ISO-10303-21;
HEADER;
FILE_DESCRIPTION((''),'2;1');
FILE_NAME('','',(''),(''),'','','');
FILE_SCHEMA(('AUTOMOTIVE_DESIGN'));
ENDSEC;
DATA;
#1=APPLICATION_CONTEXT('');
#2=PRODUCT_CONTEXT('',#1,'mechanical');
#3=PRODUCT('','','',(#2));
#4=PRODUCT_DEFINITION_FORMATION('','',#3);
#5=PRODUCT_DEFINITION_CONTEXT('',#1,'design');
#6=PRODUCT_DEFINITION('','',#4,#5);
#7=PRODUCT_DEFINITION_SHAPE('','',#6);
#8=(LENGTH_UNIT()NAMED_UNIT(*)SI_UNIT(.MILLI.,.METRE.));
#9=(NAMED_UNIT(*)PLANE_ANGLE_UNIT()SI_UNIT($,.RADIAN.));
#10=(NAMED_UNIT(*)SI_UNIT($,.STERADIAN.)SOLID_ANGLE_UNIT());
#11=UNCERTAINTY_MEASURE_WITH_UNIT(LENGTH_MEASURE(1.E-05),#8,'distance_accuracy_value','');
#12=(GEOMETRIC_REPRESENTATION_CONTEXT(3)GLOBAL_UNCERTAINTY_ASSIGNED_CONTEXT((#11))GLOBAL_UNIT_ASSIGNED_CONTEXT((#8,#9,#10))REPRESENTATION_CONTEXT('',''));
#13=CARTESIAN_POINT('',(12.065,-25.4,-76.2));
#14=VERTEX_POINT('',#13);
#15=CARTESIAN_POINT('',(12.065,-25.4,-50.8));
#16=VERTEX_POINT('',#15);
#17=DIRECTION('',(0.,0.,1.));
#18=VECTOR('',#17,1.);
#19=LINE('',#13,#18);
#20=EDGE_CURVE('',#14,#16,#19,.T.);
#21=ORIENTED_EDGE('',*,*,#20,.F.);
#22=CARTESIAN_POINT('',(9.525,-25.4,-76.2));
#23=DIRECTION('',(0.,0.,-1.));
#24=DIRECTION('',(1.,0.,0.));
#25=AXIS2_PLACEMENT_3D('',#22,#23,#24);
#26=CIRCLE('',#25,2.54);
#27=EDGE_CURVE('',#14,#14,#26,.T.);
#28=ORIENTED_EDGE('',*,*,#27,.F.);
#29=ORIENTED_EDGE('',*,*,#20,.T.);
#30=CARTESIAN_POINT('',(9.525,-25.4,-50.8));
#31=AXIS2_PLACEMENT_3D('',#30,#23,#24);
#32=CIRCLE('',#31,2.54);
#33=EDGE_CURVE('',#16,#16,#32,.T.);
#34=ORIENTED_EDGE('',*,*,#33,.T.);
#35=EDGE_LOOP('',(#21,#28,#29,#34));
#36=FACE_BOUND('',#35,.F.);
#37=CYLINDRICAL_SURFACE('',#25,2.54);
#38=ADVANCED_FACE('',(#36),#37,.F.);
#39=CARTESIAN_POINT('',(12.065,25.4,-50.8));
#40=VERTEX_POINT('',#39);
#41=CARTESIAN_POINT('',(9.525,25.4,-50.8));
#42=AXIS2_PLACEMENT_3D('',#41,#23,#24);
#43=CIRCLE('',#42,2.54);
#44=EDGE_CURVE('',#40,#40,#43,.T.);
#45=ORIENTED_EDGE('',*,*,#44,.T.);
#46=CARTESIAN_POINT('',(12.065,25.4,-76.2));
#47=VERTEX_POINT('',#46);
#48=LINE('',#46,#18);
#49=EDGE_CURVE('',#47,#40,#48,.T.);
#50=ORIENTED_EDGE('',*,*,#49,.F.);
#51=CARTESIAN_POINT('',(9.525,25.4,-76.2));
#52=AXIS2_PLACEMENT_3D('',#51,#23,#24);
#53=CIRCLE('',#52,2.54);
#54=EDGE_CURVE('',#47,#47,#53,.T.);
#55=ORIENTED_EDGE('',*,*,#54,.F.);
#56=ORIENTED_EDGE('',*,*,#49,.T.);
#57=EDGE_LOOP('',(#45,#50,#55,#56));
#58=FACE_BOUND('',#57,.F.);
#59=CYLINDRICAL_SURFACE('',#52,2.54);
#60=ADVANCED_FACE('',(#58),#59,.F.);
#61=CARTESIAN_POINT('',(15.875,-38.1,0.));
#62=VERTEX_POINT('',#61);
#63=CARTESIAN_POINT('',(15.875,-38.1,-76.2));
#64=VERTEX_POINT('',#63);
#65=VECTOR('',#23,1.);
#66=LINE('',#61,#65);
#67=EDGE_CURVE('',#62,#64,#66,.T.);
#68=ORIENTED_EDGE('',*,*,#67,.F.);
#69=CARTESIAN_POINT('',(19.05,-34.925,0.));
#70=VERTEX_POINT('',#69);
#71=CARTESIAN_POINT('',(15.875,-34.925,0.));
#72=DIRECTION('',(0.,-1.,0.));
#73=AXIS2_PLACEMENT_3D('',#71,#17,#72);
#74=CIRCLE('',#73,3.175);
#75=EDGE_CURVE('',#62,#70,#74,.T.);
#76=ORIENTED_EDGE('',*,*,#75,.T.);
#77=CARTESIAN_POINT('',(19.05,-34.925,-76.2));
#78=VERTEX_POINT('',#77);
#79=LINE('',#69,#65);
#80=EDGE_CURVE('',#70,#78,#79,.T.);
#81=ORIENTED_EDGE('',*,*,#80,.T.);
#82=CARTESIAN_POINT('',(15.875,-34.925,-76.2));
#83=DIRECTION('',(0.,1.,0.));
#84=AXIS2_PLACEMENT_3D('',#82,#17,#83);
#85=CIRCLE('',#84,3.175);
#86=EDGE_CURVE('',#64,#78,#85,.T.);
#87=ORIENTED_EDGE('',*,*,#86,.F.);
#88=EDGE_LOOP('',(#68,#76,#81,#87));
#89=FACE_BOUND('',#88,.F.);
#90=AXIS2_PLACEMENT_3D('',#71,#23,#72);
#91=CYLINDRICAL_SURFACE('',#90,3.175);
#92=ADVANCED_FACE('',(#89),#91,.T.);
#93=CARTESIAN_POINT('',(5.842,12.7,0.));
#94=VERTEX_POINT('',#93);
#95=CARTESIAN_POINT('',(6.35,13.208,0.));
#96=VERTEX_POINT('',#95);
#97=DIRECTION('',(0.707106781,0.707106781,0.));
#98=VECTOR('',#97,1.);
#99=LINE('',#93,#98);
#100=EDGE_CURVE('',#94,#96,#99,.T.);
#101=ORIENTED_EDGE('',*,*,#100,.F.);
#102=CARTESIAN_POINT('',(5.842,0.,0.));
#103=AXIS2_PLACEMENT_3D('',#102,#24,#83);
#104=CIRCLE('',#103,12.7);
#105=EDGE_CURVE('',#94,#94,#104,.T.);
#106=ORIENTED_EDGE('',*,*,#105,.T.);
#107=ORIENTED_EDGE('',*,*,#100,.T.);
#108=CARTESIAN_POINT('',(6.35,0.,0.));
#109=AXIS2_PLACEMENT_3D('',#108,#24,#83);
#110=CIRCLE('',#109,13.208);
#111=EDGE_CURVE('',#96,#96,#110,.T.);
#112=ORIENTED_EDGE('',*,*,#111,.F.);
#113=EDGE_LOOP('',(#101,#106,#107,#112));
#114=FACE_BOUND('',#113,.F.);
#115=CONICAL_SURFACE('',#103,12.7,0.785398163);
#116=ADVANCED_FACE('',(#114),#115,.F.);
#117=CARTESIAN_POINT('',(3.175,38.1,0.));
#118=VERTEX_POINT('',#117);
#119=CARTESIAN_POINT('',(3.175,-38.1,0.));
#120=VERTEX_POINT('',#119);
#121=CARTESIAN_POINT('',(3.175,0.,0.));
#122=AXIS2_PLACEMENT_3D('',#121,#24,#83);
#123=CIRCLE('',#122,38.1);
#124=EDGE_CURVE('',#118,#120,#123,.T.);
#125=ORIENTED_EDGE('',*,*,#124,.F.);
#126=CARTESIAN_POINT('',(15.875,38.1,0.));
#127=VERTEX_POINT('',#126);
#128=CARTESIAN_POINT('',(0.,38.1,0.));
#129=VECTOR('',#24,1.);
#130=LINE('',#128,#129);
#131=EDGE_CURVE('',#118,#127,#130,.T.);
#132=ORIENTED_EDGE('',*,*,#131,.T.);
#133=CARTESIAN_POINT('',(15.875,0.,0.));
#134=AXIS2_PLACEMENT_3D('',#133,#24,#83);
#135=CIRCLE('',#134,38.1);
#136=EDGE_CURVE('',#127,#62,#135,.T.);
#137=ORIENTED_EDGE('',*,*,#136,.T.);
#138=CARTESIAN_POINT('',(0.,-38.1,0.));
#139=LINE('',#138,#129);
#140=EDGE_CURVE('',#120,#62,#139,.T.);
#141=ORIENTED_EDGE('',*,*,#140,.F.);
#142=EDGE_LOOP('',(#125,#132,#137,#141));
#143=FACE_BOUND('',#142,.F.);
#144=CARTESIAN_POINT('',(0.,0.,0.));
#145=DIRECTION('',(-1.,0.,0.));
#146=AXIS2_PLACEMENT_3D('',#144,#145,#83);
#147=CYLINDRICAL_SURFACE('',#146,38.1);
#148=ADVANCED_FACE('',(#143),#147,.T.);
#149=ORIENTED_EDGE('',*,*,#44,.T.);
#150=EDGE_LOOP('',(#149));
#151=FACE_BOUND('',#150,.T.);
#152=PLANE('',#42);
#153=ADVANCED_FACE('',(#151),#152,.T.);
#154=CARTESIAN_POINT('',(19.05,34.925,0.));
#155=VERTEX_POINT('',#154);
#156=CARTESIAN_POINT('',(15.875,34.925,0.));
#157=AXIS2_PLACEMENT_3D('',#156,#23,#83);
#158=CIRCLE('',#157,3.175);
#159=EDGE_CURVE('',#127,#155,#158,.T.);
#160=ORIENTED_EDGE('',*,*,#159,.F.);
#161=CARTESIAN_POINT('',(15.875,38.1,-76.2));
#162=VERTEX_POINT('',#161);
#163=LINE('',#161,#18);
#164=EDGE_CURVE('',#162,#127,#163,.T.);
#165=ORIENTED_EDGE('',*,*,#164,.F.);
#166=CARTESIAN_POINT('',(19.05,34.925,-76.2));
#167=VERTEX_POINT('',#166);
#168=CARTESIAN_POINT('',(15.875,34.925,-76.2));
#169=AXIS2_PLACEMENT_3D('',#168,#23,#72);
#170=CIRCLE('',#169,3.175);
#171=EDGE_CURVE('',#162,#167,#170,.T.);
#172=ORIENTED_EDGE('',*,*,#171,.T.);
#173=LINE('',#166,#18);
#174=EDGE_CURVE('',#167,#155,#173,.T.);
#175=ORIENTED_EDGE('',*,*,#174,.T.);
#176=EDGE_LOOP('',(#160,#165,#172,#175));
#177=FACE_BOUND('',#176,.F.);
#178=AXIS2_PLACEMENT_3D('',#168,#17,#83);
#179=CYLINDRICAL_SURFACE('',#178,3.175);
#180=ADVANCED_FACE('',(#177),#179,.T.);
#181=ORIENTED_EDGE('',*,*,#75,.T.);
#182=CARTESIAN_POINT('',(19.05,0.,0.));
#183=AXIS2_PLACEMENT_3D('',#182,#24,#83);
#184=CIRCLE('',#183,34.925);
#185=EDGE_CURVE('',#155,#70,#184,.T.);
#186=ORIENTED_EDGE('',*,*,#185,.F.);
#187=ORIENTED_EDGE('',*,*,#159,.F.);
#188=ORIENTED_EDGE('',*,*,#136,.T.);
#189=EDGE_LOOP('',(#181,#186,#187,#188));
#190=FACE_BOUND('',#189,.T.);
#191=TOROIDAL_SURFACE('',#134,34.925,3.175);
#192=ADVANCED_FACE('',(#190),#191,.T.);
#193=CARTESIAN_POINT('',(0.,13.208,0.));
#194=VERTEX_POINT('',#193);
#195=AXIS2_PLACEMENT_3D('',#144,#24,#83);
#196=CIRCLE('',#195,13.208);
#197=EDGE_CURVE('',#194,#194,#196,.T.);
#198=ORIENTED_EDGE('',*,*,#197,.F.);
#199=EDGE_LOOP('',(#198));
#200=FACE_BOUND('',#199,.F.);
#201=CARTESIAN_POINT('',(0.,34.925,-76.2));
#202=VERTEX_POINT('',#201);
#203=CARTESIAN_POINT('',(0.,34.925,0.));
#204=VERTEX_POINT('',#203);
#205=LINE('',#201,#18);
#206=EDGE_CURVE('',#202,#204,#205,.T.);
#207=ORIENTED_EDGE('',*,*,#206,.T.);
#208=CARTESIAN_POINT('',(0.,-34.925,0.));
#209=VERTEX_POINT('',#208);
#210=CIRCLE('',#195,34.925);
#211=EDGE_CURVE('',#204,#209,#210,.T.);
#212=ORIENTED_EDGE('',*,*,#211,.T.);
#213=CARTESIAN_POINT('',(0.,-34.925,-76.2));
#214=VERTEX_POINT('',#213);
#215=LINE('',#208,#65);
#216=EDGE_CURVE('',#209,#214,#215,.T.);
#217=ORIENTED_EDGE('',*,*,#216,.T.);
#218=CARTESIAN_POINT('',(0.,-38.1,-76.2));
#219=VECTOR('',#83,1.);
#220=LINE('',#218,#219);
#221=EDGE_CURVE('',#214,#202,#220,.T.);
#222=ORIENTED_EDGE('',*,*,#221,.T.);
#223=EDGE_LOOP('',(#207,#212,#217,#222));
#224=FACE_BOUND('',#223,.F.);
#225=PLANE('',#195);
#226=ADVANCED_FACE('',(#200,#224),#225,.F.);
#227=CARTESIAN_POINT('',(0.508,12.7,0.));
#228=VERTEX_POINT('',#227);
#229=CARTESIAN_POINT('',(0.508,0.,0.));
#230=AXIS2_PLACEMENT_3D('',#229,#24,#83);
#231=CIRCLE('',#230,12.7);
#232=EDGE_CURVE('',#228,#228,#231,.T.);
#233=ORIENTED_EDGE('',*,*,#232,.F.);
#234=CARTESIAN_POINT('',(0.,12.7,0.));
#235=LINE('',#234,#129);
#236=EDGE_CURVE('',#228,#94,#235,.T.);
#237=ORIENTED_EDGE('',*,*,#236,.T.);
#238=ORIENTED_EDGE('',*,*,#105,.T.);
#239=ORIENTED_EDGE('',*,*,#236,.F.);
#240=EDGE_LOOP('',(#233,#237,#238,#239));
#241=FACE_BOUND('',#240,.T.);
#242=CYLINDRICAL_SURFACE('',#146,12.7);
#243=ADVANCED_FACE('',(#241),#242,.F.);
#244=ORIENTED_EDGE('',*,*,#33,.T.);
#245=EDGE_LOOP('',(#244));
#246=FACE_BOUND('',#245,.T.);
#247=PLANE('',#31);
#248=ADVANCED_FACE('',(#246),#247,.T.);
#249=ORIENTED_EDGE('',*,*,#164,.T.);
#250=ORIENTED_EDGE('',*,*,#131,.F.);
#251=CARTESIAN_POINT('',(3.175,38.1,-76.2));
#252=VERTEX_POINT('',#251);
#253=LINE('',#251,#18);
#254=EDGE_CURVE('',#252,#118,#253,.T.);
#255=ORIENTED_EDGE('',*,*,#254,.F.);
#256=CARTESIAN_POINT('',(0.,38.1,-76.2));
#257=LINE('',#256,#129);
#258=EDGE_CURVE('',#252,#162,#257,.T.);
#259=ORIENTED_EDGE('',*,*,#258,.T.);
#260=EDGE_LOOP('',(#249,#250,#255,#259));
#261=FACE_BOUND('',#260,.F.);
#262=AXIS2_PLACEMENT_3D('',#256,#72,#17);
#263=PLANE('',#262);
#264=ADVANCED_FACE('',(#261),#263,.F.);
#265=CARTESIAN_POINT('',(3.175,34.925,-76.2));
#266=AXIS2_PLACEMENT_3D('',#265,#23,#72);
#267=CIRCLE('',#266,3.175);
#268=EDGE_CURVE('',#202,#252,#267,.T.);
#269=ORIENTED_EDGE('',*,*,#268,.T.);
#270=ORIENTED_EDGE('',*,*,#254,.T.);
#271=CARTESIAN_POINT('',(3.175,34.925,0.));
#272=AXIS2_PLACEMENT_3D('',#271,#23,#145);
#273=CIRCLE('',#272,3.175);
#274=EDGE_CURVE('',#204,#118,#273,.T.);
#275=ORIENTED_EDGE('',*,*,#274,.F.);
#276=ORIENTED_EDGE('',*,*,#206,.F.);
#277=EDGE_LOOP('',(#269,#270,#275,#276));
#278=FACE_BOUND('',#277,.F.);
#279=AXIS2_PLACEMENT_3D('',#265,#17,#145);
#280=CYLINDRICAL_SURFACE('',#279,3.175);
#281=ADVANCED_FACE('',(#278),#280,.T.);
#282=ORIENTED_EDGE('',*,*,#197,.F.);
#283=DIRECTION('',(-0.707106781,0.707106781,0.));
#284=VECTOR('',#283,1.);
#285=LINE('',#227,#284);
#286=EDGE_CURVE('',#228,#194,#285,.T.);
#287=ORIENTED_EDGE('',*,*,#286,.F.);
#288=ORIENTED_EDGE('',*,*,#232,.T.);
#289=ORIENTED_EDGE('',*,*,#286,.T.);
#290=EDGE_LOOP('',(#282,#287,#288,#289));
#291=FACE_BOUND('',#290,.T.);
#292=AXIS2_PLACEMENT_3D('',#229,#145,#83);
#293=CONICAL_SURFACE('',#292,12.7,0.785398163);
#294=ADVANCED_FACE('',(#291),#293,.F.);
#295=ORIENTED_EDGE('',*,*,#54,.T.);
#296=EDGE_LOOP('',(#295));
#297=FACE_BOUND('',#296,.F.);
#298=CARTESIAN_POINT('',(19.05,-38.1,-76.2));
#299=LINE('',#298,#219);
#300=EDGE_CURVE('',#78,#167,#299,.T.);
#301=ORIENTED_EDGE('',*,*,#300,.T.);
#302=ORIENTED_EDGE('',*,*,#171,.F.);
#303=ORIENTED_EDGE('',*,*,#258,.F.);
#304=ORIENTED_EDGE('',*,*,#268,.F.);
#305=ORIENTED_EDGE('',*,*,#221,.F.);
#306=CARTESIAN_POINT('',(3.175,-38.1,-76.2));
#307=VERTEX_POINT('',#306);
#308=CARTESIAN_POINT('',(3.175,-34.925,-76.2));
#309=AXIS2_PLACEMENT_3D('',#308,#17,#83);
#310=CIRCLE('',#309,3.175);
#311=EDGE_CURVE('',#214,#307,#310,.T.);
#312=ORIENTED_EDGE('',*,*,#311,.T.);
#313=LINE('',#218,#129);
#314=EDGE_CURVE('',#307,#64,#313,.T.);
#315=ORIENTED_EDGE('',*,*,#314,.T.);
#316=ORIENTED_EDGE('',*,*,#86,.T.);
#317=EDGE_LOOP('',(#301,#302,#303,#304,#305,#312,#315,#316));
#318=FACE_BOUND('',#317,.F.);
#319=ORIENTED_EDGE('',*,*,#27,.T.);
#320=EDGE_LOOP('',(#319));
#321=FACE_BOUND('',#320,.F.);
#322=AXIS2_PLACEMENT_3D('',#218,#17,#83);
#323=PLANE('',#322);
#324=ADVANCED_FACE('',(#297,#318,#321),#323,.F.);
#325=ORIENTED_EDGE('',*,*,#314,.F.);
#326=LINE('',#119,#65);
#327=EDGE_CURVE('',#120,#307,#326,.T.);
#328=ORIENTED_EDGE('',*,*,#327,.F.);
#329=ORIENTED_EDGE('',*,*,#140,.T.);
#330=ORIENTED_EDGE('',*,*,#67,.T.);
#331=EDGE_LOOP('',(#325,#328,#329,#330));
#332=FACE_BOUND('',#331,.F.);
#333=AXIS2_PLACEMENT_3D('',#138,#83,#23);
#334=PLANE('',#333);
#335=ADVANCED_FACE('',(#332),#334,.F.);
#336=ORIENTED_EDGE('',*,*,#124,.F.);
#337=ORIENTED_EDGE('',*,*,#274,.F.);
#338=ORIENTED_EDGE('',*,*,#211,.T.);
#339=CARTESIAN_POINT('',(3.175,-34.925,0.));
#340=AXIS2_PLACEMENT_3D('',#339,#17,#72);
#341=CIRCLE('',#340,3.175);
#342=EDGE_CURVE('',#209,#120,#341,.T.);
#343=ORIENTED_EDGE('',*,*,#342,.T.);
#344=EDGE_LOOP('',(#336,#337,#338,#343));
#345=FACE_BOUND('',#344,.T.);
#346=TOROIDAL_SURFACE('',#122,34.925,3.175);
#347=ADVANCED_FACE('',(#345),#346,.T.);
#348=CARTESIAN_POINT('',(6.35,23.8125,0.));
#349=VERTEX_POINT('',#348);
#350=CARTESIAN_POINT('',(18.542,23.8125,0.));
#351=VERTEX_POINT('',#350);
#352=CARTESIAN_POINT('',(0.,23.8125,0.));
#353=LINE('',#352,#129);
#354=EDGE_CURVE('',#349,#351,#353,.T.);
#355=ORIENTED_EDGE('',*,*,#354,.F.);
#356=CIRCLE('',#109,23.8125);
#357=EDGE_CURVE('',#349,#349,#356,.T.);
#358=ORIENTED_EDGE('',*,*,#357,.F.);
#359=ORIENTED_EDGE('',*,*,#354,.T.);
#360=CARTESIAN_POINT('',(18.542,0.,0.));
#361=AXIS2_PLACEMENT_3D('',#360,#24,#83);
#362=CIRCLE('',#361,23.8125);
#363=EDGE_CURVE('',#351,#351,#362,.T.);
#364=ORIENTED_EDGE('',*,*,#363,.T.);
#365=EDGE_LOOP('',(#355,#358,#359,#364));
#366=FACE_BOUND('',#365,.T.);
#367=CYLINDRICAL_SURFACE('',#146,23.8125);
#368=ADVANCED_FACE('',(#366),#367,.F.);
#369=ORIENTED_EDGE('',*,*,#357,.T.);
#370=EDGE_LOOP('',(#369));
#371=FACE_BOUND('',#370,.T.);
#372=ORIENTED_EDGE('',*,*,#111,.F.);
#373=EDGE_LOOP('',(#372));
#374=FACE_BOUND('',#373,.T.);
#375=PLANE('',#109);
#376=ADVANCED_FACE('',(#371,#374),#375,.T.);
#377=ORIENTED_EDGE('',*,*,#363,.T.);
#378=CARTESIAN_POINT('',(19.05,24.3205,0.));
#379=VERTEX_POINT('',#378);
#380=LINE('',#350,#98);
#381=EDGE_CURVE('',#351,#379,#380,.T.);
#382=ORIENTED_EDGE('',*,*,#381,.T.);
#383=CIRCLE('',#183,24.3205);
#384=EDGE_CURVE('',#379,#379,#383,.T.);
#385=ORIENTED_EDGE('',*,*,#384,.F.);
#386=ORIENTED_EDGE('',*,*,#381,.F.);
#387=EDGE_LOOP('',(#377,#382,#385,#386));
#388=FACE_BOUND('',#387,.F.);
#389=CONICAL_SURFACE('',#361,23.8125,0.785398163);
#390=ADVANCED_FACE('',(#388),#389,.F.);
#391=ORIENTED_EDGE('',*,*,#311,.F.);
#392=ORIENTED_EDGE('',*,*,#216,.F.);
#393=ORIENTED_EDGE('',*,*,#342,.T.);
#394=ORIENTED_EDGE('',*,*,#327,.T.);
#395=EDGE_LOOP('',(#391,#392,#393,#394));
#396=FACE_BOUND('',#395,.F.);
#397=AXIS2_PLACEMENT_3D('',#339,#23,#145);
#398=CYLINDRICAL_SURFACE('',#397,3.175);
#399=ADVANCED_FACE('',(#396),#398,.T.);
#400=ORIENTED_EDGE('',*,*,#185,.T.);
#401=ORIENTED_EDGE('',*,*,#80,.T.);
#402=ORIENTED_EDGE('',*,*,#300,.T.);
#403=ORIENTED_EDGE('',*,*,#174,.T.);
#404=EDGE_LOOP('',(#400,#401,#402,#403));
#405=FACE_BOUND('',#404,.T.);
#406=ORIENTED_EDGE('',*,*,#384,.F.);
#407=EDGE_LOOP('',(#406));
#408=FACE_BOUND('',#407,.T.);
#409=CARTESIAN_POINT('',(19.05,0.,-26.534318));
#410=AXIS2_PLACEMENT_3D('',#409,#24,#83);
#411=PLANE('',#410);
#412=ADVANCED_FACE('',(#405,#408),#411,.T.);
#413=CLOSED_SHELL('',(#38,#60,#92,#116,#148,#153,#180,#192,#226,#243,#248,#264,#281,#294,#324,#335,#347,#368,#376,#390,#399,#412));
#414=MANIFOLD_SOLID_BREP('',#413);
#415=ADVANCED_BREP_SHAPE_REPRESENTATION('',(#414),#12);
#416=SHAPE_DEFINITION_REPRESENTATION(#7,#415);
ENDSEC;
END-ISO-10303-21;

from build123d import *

# Parameters (mm, degrees)
F0_R     = 23.8125
F1_DEPTH = 19.05
F0_R_2   = 12.7
F2_DEPTH = 6.35
F3_SIZE  = 0.508
F4_R     = 2.54
F5_DEPTH = 25.4
F6_R     = 3.175


with BuildPart() as f1:
    # F0 (on Right) → F1 (new body)
    with BuildSketch(Plane.YZ):
        with BuildLine():
            Line((-38.1, -76.2), (38.1, -76.2))
            Line((38.1, -76.2), (38.1, 0))
            ThreePointArc((38.1, 0), (0, 38.1), (-38.1, 0))
            Line((-38.1, 0), (-38.1, -76.2))
        make_face()
        Circle(F0_R, mode=Mode.SUBTRACT)
    extrude(amount=F1_DEPTH)

    # F0 (on Right) → F2 (join)
    with BuildSketch(Plane.YZ):
        Circle(F0_R)
        Circle(F0_R_2, mode=Mode.SUBTRACT)
    extrude(amount=F2_DEPTH)

    # F3
    f3_edges = [f1.edges().sort_by_distance(p)[0] for p in [
        (0, -12.7, 0),
        (19.05, -23.8125, 0),
        (6.35, -12.7, 0),
    ]]
    chamfer(f3_edges, length=F3_SIZE)

    # F4 (on face) → F5 (cut)
    with BuildSketch(Plane(origin=(0, 0, -76.2), x_dir=(1, 0, 0), z_dir=(0, 0, -1))):
        with Locations((9.525, 25.4)):
            Circle(F4_R)
        with Locations((9.525, -25.4)):
            Circle(F4_R)
    extrude(amount=-F5_DEPTH, mode=Mode.SUBTRACT)

    # F6
    f6_edges = [f1.edges().sort_by_distance(p)[0] for p in [
        (19.05, -38.1, -38.1),
        (0, -38.1, -38.1),
    ]]
    fillet(f6_edges, radius=F6_R)


solid = f1.part
